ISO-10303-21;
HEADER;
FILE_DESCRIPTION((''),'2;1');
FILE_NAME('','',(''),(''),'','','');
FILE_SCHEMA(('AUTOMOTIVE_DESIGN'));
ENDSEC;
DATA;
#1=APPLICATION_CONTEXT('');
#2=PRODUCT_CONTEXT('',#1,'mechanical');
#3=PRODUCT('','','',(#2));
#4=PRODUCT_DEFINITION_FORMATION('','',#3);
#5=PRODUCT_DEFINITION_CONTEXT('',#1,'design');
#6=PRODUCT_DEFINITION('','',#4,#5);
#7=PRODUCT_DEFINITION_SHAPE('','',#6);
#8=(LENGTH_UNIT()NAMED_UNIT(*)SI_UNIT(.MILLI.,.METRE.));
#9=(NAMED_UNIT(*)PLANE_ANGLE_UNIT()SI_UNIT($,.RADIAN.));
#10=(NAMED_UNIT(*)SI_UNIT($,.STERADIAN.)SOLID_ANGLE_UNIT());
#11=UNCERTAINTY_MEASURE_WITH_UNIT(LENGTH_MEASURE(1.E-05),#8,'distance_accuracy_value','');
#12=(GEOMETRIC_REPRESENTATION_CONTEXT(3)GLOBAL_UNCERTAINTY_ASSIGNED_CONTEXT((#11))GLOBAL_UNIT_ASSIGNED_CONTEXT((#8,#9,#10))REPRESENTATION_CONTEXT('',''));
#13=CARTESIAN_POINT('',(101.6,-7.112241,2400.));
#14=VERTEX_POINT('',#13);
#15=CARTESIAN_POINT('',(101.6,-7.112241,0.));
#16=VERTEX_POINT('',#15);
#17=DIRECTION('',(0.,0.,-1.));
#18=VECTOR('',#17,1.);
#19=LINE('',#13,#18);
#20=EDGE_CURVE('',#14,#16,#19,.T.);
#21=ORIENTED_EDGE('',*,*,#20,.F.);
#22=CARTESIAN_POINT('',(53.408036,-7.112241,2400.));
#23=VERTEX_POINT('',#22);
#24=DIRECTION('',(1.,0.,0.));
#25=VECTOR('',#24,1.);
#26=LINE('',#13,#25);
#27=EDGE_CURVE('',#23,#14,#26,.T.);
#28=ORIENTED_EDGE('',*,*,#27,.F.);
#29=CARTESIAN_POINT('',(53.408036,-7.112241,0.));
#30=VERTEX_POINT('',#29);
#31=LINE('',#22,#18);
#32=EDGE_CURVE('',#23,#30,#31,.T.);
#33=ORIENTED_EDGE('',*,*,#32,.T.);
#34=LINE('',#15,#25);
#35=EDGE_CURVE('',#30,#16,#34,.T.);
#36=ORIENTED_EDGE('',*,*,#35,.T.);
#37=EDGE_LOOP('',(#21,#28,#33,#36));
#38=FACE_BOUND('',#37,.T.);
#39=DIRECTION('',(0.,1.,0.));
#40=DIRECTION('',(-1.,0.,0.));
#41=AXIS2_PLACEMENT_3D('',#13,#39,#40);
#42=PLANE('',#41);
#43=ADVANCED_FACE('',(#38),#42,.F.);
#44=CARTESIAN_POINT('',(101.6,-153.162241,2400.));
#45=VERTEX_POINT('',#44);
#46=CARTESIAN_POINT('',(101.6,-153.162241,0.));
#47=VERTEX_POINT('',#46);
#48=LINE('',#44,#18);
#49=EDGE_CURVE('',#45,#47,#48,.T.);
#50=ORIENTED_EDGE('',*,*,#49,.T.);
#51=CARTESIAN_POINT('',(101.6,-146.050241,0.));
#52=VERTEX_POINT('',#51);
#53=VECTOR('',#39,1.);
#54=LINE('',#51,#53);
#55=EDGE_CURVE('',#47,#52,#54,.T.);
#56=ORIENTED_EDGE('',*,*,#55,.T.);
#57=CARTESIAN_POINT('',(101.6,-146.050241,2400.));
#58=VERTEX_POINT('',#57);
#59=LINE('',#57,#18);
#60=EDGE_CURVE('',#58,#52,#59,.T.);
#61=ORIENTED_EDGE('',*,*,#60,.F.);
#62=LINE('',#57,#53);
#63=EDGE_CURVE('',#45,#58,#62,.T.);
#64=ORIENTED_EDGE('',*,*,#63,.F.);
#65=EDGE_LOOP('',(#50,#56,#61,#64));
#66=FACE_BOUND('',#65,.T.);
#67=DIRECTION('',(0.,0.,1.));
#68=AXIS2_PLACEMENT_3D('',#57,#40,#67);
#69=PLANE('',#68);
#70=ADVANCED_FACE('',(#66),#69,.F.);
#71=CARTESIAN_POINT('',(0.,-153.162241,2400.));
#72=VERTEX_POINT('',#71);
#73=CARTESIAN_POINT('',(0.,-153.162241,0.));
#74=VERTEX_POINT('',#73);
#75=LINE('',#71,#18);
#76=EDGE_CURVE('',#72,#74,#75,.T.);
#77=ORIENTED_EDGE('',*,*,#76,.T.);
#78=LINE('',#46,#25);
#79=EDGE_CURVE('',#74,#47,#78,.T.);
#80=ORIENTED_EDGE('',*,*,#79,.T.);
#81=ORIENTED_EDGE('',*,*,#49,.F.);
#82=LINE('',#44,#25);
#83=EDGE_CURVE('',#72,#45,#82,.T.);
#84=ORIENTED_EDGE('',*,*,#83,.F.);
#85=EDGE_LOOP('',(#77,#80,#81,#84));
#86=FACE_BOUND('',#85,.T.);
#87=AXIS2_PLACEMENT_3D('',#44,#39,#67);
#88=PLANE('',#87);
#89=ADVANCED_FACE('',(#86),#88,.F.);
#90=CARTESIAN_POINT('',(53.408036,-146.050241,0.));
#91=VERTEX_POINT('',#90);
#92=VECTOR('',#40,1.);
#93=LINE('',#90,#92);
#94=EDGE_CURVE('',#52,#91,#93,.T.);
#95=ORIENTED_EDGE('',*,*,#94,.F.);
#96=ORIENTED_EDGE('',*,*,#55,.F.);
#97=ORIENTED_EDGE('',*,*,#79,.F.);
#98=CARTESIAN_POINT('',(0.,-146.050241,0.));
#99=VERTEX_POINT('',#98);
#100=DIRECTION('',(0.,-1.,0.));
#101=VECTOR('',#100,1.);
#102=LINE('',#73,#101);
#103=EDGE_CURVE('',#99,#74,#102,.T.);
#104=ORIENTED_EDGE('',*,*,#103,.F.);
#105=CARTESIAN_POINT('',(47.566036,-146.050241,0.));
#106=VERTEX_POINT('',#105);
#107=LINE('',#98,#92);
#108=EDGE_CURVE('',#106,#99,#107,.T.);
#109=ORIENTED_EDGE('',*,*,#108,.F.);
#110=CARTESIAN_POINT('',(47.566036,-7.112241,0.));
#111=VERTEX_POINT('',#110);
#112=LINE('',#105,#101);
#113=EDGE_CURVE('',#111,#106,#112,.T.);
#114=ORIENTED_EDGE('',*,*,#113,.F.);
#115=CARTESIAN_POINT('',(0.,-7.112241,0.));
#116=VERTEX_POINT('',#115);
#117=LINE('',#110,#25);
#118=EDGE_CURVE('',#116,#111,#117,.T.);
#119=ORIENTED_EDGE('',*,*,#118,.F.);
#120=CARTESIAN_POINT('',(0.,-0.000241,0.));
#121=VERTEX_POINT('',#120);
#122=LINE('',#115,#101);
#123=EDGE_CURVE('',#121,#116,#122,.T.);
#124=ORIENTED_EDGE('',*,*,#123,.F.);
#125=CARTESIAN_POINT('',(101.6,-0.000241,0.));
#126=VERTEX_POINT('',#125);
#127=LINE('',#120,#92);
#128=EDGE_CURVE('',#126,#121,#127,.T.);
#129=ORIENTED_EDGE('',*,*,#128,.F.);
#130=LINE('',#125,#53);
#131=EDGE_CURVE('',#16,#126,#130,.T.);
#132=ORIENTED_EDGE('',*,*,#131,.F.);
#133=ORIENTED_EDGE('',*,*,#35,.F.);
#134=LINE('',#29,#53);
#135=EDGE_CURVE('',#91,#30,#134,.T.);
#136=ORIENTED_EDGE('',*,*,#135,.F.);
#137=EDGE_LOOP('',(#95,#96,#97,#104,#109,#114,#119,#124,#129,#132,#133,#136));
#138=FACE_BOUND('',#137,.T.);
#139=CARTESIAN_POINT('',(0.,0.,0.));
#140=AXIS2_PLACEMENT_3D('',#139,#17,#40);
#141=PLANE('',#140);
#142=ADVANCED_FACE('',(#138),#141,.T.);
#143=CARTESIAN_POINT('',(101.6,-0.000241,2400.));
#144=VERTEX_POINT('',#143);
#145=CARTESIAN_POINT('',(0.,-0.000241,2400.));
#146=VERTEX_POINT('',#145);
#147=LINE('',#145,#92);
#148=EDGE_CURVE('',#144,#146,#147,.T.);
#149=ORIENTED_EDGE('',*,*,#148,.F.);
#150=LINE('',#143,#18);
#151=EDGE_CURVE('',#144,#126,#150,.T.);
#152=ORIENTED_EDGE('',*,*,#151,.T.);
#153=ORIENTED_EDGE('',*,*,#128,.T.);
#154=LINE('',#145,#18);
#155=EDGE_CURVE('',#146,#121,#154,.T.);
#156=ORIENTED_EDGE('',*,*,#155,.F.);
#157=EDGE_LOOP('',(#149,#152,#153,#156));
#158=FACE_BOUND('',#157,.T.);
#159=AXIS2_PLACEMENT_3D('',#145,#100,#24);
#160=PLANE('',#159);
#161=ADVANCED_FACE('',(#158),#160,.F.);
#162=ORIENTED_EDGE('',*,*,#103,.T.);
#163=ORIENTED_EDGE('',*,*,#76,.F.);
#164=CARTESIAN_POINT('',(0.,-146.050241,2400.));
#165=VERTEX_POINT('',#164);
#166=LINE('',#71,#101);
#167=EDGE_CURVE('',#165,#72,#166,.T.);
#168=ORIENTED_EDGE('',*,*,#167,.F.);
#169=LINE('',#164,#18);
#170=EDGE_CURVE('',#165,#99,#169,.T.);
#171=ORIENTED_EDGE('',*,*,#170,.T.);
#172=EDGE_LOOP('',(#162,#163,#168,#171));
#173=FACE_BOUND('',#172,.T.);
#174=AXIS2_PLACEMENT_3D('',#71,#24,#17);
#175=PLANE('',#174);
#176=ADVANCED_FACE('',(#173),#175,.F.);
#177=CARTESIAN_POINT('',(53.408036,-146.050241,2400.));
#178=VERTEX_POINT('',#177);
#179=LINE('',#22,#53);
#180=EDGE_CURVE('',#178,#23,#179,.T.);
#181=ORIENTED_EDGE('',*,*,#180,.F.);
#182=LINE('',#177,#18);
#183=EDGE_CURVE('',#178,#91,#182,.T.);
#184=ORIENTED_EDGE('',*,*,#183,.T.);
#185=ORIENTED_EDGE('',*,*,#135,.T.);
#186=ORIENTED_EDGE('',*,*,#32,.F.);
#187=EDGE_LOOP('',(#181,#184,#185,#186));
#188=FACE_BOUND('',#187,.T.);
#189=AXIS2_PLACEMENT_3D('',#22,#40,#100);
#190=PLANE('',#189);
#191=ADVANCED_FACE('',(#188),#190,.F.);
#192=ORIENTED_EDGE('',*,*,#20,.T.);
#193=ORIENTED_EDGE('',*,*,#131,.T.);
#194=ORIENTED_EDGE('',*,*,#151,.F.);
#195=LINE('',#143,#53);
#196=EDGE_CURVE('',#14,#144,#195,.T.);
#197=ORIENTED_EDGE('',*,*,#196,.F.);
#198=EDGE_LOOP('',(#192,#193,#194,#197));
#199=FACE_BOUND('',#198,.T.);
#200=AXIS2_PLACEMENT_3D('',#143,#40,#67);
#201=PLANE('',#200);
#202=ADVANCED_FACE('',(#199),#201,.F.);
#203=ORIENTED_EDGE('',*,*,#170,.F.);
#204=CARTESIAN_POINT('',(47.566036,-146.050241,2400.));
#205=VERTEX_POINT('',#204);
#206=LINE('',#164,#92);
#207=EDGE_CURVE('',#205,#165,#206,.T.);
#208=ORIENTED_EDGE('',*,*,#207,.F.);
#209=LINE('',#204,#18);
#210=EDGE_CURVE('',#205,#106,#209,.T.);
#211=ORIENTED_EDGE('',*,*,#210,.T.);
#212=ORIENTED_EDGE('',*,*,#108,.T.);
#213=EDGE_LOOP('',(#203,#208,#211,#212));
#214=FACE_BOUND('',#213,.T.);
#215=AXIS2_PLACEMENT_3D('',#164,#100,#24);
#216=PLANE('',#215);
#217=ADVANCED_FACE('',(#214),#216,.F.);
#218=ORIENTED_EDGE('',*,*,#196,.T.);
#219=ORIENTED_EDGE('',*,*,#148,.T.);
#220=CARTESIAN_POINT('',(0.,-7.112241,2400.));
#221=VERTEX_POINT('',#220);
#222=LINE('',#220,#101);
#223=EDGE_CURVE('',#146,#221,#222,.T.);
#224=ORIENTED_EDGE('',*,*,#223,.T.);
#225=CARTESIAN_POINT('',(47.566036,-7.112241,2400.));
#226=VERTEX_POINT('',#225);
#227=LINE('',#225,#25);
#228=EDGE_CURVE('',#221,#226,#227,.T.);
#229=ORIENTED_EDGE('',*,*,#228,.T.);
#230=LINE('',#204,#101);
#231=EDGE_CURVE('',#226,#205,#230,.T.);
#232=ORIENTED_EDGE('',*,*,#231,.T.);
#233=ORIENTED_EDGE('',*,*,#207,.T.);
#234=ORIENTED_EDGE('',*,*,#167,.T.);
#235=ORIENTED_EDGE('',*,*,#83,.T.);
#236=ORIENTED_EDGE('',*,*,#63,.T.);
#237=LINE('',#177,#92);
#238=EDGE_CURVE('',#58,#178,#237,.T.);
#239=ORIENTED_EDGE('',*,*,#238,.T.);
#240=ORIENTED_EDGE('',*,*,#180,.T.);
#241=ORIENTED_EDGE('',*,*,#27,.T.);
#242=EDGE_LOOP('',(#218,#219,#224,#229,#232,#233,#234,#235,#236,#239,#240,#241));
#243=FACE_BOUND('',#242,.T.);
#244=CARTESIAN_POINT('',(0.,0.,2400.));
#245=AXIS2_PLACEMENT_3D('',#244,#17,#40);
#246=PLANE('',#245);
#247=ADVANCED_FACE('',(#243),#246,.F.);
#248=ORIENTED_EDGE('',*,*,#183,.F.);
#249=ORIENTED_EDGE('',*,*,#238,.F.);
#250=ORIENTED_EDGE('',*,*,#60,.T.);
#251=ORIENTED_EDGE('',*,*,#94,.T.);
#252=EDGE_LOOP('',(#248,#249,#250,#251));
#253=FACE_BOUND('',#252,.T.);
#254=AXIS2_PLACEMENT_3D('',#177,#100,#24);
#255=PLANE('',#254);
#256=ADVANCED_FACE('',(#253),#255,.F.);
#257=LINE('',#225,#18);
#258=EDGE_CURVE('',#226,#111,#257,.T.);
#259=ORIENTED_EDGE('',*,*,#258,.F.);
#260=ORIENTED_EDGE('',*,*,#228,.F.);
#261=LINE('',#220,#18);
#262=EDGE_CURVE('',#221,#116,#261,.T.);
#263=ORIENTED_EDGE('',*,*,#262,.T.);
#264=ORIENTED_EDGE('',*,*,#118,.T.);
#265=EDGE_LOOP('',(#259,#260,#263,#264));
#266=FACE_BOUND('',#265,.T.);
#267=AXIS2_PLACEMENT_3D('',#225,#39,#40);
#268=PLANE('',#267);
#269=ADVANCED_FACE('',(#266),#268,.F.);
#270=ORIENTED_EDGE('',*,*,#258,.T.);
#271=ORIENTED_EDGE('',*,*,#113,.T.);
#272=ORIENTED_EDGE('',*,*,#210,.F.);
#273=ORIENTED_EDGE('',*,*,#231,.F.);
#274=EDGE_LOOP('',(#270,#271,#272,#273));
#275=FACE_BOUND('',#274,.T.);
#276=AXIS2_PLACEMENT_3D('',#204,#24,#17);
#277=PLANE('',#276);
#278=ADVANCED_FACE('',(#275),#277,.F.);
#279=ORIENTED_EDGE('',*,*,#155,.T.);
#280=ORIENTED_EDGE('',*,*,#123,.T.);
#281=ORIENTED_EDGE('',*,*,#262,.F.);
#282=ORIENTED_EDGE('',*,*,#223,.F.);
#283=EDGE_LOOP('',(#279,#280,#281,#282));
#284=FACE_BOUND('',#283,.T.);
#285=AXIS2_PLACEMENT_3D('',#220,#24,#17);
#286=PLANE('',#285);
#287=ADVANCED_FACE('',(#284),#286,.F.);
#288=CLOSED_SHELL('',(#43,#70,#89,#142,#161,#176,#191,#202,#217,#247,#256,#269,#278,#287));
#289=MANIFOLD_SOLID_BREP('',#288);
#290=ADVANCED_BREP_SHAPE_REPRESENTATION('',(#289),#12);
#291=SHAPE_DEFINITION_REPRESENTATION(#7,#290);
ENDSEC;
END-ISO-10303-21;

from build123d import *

# Parameters (mm, degrees)
BOSS_EXTRUDE1_DEPTH = 2400


with BuildPart() as part:
    # Sketch1 → Boss-Extrude1 (new body)
    with BuildSketch(Plane.XY):
        Polygon((0, -0.000240533), (101.6, -0.000240533), (101.6, -7.112240533), (53.408035714, -7.112240533), (53.408035714, -146.050240533), (101.6, -146.050240533), (101.6, -153.162240533), (0, -153.162240533), (0, -146.050240533), (47.566035714, -146.050240533), (47.566035714, -7.112240533), (0, -7.112240533), align=None)
    extrude(amount=BOSS_EXTRUDE1_DEPTH)


solid = part.part
